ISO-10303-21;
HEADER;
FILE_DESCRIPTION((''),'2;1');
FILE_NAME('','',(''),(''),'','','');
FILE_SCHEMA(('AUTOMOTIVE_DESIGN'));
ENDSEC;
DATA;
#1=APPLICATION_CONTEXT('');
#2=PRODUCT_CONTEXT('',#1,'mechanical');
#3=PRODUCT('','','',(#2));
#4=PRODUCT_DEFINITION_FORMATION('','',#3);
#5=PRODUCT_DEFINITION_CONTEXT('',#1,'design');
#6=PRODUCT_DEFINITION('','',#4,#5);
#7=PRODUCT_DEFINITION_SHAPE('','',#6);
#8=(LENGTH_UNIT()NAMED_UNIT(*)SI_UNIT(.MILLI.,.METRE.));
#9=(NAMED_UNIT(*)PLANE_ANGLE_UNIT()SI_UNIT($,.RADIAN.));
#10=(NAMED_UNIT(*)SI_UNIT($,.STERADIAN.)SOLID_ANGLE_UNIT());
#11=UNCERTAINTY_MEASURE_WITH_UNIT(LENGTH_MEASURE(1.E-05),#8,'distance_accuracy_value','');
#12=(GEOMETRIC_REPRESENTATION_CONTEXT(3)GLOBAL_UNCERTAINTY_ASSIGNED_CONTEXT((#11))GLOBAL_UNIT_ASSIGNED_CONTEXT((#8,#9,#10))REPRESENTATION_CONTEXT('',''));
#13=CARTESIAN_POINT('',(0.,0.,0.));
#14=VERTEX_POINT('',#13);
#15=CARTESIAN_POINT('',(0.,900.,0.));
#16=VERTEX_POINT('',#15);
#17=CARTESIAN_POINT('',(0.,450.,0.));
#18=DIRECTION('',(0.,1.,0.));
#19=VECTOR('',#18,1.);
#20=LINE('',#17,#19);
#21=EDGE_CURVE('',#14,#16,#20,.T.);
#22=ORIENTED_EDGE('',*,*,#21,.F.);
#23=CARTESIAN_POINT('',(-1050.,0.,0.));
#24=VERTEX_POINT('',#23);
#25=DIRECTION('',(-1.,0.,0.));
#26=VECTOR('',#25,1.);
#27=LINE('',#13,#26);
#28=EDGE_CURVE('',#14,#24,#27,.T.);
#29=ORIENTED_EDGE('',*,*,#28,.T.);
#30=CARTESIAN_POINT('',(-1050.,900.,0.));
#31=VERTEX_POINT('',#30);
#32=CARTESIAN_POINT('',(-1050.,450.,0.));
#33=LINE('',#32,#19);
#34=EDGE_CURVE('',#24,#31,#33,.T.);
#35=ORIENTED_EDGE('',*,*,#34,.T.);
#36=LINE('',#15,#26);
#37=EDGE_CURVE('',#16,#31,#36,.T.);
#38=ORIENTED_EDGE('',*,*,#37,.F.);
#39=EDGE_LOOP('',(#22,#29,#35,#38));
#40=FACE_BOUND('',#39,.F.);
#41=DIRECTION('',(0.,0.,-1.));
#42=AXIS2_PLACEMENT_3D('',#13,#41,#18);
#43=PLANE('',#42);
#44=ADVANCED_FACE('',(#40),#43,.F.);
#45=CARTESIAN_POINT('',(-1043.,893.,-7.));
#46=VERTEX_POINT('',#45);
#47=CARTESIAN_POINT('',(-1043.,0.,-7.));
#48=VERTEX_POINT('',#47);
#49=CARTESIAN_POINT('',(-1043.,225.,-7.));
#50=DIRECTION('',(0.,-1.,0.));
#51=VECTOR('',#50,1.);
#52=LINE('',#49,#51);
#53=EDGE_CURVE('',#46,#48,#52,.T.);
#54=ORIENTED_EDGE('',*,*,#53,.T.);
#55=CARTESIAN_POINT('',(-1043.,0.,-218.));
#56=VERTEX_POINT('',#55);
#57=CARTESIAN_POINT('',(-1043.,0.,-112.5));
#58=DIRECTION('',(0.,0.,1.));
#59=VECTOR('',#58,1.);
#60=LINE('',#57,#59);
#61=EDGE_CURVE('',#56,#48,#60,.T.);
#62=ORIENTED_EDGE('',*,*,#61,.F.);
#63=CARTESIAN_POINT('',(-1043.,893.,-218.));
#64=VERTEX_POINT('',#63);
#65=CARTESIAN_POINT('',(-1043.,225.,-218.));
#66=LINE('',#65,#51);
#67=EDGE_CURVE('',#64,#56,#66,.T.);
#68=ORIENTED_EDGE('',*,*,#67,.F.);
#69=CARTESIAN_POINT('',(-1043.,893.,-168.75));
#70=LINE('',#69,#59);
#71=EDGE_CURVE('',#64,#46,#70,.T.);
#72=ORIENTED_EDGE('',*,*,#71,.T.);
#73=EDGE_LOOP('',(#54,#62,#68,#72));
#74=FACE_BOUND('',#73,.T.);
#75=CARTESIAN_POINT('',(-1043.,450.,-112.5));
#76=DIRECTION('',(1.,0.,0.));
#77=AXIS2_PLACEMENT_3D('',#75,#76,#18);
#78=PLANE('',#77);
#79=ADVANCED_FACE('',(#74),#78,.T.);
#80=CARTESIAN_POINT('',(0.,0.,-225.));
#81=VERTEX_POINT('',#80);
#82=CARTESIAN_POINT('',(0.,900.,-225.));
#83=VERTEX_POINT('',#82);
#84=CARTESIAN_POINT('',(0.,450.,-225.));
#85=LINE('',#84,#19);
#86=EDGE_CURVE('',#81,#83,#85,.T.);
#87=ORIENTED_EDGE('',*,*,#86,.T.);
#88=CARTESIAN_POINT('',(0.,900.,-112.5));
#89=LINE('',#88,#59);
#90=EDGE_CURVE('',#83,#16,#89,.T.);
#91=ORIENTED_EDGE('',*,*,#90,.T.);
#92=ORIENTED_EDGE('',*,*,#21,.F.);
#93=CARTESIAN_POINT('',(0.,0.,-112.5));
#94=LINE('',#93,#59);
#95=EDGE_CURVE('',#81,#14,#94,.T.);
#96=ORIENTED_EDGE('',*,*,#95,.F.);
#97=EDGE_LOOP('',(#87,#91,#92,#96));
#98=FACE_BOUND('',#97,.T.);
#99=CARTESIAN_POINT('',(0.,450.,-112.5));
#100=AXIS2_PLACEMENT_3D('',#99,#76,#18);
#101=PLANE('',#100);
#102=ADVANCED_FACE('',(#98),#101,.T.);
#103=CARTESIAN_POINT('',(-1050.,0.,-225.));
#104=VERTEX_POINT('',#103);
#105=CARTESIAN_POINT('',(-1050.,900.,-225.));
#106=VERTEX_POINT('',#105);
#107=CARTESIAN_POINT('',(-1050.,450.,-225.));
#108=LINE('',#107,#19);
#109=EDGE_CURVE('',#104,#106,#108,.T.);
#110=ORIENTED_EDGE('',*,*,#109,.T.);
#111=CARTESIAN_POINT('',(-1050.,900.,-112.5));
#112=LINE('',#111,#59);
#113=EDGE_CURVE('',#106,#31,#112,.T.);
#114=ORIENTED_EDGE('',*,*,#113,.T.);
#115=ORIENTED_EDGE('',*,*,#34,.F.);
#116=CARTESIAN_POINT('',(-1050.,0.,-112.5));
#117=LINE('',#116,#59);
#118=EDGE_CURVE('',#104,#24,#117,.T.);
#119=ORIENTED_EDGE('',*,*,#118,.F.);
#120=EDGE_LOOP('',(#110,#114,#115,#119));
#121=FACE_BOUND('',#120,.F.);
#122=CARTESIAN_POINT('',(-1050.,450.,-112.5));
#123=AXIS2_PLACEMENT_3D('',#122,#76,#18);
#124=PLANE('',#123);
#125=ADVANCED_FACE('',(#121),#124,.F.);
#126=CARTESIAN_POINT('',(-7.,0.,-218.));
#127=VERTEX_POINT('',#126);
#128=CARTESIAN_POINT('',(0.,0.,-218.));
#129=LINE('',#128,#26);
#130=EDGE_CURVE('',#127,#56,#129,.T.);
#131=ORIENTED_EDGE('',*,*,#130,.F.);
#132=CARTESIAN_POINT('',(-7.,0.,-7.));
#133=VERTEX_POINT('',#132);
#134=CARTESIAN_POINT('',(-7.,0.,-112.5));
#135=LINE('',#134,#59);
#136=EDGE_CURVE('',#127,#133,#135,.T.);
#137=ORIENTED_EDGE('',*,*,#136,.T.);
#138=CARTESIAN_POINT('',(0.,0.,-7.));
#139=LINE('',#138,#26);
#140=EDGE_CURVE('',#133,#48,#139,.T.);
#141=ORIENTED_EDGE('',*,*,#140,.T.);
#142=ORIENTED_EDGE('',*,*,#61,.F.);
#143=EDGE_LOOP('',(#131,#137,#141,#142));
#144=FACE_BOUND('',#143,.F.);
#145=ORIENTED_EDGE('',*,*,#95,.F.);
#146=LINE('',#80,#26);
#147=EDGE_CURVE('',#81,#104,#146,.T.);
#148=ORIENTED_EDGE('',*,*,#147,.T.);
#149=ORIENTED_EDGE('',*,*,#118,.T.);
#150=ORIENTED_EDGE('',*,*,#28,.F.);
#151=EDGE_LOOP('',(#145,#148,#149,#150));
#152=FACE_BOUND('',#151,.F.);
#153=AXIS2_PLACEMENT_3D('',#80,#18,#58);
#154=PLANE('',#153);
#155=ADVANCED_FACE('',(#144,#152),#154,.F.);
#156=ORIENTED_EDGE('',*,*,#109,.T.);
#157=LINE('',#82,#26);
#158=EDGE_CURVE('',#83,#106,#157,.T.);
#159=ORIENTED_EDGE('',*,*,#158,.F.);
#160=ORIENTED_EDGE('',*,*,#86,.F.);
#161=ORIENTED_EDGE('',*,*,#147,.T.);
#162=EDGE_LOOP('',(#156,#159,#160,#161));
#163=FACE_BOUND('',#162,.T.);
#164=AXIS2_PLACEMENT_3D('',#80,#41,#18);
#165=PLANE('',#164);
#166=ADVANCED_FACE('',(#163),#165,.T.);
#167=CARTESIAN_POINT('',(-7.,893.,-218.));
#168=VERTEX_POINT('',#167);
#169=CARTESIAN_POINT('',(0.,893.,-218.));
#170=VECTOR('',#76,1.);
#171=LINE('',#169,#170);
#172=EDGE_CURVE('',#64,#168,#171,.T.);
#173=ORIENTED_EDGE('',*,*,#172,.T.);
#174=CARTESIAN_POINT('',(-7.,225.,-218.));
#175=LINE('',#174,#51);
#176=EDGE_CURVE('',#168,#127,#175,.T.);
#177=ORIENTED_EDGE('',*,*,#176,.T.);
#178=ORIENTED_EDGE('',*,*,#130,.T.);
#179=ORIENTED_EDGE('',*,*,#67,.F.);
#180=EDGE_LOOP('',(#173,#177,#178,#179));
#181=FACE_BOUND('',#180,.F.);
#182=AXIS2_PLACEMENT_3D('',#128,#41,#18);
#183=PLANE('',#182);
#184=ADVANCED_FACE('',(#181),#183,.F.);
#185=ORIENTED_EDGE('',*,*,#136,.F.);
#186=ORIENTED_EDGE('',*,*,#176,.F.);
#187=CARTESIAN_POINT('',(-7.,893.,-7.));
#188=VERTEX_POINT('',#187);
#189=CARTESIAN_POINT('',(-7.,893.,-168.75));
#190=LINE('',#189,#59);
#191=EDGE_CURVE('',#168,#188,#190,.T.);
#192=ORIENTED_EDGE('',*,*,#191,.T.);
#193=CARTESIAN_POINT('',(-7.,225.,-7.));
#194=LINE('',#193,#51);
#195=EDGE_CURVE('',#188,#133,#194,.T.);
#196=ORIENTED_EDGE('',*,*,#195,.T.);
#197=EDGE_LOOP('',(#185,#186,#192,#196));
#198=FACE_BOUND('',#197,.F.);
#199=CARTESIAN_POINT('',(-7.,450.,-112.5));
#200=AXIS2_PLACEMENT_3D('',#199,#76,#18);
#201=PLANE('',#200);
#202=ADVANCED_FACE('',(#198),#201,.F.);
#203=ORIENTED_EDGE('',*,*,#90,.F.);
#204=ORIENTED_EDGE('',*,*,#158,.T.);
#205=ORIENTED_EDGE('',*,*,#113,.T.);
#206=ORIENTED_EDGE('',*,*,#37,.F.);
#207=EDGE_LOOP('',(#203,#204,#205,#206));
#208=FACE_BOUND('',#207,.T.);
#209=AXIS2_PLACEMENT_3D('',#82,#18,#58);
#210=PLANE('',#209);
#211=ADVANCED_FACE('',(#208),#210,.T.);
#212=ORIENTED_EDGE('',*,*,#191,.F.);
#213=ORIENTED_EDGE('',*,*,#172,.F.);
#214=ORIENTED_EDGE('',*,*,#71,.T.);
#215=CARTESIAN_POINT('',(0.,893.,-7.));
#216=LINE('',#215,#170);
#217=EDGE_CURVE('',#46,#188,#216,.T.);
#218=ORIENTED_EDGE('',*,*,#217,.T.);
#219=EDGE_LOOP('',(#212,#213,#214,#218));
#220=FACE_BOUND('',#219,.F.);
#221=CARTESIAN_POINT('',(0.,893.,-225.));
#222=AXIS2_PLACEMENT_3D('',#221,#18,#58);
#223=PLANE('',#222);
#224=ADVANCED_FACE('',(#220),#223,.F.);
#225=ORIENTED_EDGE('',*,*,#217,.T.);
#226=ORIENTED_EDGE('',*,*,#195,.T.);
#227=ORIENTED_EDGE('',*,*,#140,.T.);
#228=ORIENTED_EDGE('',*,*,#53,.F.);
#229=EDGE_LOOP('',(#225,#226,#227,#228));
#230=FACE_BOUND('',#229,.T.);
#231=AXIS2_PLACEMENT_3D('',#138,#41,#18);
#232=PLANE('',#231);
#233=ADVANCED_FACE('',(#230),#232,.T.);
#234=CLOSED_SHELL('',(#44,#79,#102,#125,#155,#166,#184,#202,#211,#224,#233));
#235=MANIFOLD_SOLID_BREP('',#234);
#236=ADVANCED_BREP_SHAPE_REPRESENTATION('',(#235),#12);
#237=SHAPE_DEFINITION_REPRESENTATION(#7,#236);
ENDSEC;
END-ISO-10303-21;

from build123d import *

# Parameters (mm, degrees)
F0_W     = 900
F0_H     = 225
F1_DEPTH = 1050
F2_T     = -7


with BuildPart() as f1:
    # F0 (on Right) → F1 (new body)
    with BuildSketch(Plane.YZ):
        with Locations((450, -112.5)):
            Rectangle(F0_W, F0_H)
    extrude(amount=-F1_DEPTH)

    # F2
    f2_openings = [f1.faces().sort_by_distance(p)[0] for p in [
        (-525, 0, -112.5),
    ]]
    offset(amount=F2_T, openings=f2_openings)


solid = f1.part
